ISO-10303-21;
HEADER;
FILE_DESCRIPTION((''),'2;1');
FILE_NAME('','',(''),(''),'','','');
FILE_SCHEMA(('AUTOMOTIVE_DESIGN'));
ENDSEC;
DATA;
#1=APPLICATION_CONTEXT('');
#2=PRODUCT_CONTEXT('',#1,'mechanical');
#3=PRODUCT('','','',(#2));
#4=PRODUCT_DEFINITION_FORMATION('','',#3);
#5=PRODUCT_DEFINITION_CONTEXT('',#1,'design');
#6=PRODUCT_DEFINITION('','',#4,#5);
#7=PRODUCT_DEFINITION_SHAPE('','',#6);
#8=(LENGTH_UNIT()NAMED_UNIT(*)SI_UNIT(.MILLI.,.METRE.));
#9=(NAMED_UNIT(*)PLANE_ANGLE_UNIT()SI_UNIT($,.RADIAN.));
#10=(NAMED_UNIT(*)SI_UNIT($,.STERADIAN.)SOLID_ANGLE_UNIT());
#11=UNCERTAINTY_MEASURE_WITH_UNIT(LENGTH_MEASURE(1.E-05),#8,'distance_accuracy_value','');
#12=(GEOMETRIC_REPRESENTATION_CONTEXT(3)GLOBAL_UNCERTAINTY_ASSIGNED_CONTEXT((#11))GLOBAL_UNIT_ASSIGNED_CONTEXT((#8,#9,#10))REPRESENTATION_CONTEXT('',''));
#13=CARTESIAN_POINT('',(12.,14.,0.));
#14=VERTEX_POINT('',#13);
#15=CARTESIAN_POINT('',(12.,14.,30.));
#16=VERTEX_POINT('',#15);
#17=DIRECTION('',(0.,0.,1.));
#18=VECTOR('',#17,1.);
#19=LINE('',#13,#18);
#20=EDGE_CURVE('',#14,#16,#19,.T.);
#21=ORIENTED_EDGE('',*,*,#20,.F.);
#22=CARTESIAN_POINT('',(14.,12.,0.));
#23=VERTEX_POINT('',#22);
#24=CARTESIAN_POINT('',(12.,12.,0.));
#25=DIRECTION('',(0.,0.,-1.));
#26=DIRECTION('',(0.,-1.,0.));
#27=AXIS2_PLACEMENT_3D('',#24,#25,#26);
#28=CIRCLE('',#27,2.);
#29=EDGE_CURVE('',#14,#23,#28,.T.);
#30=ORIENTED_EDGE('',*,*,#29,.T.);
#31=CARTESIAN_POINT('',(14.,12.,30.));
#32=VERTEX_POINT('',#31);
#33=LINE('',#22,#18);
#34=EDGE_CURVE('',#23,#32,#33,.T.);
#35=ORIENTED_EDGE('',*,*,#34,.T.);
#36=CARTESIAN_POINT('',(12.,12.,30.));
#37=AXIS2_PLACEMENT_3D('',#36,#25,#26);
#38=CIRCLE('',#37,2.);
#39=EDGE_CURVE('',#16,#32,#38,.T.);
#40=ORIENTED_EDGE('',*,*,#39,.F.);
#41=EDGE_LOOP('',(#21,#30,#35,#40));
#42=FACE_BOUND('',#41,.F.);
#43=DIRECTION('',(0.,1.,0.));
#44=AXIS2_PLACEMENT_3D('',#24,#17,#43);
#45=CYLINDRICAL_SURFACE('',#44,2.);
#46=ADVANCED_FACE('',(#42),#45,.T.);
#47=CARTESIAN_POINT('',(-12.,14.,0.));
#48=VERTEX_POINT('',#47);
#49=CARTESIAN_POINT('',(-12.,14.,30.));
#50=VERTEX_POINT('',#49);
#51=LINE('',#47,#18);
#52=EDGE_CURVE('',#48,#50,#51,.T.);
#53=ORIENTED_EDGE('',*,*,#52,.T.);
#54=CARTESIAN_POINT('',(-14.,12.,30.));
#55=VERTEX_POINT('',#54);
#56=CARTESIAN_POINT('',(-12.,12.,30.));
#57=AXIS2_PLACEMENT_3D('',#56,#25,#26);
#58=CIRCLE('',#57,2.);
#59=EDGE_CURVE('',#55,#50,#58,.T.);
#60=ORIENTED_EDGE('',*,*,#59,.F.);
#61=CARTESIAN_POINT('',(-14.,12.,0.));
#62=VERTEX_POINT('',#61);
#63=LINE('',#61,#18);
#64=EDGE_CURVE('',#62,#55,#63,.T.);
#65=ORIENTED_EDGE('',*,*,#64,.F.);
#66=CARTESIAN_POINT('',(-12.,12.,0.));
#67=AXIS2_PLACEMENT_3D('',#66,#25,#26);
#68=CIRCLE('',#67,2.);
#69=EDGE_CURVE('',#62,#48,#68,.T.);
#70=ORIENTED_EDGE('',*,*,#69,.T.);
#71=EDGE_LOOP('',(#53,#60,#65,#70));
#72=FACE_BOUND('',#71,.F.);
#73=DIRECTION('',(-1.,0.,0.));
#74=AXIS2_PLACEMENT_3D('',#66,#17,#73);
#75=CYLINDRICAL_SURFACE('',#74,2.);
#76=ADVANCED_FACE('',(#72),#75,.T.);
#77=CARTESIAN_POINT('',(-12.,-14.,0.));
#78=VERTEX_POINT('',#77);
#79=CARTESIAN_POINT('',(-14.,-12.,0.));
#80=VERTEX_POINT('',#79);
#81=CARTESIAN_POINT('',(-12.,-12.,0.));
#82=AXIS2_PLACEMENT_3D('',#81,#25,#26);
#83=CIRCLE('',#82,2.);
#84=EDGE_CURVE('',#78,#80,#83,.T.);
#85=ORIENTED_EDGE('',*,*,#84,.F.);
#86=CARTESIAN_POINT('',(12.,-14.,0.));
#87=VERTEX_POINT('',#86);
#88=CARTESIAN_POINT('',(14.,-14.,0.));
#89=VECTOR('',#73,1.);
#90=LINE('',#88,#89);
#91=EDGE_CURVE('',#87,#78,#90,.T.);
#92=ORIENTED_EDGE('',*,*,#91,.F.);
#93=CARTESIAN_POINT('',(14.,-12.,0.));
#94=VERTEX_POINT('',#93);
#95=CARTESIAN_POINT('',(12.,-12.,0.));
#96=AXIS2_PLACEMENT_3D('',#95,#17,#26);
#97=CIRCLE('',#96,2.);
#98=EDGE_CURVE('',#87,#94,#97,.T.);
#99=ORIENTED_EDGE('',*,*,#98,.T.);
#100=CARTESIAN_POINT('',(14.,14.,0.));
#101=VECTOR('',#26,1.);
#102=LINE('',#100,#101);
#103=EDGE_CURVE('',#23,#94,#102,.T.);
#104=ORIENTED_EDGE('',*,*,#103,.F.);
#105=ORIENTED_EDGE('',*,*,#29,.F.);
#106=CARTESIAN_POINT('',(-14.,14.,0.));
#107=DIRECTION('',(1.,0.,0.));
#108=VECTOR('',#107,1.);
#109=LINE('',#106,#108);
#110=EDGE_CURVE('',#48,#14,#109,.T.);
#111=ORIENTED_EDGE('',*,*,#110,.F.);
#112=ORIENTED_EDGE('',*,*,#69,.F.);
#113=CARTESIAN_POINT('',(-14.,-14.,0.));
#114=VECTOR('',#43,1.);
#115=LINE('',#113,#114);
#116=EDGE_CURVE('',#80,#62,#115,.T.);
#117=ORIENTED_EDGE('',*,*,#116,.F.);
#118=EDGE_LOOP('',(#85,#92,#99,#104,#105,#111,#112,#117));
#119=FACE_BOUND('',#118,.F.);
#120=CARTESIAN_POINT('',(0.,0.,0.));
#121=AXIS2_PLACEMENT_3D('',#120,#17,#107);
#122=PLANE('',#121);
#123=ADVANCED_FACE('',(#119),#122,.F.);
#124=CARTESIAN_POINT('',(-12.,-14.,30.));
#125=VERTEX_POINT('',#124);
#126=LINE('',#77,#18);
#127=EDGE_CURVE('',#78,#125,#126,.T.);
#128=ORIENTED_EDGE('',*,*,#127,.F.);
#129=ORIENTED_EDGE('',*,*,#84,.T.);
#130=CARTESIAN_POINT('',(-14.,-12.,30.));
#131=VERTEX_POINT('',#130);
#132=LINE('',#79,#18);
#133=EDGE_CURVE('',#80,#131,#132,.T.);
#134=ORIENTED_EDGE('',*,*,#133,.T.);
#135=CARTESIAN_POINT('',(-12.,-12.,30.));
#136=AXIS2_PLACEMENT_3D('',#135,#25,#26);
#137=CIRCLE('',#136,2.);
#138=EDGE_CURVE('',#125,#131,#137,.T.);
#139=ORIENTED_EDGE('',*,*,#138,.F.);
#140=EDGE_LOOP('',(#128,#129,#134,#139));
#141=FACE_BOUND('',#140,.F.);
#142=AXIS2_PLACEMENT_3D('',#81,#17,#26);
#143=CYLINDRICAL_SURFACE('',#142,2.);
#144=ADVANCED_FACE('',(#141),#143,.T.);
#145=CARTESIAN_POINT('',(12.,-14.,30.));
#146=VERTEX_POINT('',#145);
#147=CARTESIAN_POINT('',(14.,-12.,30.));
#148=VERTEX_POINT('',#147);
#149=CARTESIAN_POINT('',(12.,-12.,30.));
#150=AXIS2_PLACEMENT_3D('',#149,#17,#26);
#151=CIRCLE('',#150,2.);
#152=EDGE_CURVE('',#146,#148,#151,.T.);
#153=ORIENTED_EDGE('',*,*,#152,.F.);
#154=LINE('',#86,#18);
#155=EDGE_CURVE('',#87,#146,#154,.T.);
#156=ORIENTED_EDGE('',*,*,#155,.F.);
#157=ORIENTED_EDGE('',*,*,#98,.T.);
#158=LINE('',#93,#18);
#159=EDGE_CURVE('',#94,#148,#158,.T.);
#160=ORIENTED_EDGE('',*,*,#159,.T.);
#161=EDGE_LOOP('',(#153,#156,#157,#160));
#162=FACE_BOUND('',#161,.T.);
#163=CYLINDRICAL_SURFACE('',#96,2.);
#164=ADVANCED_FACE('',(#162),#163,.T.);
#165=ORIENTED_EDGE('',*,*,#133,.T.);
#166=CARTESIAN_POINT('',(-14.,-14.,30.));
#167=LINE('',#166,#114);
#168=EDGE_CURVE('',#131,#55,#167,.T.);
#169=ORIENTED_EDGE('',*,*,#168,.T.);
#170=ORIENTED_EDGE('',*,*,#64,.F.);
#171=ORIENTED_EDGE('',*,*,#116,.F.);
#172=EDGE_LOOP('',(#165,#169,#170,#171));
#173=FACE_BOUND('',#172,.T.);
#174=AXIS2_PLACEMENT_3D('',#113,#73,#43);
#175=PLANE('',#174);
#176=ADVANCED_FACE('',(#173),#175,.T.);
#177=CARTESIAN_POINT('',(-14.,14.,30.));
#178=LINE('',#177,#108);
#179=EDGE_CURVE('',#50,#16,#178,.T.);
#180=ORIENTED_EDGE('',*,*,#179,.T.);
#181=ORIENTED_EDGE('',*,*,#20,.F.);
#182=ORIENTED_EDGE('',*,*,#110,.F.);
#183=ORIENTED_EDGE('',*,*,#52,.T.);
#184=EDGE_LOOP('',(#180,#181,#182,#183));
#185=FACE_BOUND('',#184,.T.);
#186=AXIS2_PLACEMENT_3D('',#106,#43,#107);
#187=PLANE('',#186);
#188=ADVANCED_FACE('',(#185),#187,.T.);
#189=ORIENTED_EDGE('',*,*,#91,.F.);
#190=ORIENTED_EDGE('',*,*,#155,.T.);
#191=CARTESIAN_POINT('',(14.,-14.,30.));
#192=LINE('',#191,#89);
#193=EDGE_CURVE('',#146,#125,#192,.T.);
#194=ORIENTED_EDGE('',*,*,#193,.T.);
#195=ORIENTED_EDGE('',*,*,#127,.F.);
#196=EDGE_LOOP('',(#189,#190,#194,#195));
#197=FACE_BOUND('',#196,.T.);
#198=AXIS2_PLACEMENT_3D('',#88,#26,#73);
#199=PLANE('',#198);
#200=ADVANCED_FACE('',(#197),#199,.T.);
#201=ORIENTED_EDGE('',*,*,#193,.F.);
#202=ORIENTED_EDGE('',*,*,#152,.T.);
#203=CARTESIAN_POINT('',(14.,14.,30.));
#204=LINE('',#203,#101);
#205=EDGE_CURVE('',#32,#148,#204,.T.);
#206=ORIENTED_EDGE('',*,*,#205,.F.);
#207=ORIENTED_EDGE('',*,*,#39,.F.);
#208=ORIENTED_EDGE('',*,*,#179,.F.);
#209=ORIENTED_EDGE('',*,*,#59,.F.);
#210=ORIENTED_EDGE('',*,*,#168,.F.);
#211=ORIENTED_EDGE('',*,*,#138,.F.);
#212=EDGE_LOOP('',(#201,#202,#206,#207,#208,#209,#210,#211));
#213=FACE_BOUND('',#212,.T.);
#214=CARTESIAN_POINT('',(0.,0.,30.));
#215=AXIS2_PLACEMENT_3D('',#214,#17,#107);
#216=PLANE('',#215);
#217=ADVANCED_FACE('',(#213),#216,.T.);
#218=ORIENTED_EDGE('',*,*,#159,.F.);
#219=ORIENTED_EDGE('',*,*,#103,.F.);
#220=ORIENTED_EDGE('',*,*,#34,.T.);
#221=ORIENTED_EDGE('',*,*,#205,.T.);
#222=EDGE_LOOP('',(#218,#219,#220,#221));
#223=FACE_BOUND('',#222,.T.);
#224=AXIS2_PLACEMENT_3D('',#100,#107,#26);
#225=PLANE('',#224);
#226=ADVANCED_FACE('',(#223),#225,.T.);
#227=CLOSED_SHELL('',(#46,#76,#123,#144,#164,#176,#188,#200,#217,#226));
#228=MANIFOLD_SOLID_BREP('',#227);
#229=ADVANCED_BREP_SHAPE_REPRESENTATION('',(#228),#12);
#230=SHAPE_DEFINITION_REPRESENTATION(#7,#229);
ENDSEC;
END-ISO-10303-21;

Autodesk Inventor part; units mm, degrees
ref_plane "YZ Plane" through (0, 0, 0) normal (1, 0, 0) x (0, 1, 0)
ref_plane "XZ Plane" through (0, 0, 0) normal (0, 1, 0) x (-1, 0, 0)
ref_plane "XY Plane" through (0, 0, 0) normal (0, 0, 1) x (1, 0, 0)
sketch "Sketch1" plane through (0, 0, 0) normal (0, 0, 1) x (1, 0, 0)
  line L0 (14, -14) -> (-14, -14)
  line L1 (-14, -14) -> (-14, 14)
  line L2 (-14, 14) -> (14, 14)
  line L3 (14, 14) -> (14, -14)
  line L4 (14, -14) -> (-14, 14) construction
  line L5 (-14, -14) -> (14, 14) construction
  point P0 (0, 0)
  dimension "d0" = 28
  dimension "d1" = 28
extrude "Extrusion1" add sketch "Sketch1" along normal blind 30
fillet "Fillet1" radius 2 4 edges at (14, 14, 15) (-14, 14, 15) (14, -14, 15) (-14, -14, 15)
properties part number "57 motor"
